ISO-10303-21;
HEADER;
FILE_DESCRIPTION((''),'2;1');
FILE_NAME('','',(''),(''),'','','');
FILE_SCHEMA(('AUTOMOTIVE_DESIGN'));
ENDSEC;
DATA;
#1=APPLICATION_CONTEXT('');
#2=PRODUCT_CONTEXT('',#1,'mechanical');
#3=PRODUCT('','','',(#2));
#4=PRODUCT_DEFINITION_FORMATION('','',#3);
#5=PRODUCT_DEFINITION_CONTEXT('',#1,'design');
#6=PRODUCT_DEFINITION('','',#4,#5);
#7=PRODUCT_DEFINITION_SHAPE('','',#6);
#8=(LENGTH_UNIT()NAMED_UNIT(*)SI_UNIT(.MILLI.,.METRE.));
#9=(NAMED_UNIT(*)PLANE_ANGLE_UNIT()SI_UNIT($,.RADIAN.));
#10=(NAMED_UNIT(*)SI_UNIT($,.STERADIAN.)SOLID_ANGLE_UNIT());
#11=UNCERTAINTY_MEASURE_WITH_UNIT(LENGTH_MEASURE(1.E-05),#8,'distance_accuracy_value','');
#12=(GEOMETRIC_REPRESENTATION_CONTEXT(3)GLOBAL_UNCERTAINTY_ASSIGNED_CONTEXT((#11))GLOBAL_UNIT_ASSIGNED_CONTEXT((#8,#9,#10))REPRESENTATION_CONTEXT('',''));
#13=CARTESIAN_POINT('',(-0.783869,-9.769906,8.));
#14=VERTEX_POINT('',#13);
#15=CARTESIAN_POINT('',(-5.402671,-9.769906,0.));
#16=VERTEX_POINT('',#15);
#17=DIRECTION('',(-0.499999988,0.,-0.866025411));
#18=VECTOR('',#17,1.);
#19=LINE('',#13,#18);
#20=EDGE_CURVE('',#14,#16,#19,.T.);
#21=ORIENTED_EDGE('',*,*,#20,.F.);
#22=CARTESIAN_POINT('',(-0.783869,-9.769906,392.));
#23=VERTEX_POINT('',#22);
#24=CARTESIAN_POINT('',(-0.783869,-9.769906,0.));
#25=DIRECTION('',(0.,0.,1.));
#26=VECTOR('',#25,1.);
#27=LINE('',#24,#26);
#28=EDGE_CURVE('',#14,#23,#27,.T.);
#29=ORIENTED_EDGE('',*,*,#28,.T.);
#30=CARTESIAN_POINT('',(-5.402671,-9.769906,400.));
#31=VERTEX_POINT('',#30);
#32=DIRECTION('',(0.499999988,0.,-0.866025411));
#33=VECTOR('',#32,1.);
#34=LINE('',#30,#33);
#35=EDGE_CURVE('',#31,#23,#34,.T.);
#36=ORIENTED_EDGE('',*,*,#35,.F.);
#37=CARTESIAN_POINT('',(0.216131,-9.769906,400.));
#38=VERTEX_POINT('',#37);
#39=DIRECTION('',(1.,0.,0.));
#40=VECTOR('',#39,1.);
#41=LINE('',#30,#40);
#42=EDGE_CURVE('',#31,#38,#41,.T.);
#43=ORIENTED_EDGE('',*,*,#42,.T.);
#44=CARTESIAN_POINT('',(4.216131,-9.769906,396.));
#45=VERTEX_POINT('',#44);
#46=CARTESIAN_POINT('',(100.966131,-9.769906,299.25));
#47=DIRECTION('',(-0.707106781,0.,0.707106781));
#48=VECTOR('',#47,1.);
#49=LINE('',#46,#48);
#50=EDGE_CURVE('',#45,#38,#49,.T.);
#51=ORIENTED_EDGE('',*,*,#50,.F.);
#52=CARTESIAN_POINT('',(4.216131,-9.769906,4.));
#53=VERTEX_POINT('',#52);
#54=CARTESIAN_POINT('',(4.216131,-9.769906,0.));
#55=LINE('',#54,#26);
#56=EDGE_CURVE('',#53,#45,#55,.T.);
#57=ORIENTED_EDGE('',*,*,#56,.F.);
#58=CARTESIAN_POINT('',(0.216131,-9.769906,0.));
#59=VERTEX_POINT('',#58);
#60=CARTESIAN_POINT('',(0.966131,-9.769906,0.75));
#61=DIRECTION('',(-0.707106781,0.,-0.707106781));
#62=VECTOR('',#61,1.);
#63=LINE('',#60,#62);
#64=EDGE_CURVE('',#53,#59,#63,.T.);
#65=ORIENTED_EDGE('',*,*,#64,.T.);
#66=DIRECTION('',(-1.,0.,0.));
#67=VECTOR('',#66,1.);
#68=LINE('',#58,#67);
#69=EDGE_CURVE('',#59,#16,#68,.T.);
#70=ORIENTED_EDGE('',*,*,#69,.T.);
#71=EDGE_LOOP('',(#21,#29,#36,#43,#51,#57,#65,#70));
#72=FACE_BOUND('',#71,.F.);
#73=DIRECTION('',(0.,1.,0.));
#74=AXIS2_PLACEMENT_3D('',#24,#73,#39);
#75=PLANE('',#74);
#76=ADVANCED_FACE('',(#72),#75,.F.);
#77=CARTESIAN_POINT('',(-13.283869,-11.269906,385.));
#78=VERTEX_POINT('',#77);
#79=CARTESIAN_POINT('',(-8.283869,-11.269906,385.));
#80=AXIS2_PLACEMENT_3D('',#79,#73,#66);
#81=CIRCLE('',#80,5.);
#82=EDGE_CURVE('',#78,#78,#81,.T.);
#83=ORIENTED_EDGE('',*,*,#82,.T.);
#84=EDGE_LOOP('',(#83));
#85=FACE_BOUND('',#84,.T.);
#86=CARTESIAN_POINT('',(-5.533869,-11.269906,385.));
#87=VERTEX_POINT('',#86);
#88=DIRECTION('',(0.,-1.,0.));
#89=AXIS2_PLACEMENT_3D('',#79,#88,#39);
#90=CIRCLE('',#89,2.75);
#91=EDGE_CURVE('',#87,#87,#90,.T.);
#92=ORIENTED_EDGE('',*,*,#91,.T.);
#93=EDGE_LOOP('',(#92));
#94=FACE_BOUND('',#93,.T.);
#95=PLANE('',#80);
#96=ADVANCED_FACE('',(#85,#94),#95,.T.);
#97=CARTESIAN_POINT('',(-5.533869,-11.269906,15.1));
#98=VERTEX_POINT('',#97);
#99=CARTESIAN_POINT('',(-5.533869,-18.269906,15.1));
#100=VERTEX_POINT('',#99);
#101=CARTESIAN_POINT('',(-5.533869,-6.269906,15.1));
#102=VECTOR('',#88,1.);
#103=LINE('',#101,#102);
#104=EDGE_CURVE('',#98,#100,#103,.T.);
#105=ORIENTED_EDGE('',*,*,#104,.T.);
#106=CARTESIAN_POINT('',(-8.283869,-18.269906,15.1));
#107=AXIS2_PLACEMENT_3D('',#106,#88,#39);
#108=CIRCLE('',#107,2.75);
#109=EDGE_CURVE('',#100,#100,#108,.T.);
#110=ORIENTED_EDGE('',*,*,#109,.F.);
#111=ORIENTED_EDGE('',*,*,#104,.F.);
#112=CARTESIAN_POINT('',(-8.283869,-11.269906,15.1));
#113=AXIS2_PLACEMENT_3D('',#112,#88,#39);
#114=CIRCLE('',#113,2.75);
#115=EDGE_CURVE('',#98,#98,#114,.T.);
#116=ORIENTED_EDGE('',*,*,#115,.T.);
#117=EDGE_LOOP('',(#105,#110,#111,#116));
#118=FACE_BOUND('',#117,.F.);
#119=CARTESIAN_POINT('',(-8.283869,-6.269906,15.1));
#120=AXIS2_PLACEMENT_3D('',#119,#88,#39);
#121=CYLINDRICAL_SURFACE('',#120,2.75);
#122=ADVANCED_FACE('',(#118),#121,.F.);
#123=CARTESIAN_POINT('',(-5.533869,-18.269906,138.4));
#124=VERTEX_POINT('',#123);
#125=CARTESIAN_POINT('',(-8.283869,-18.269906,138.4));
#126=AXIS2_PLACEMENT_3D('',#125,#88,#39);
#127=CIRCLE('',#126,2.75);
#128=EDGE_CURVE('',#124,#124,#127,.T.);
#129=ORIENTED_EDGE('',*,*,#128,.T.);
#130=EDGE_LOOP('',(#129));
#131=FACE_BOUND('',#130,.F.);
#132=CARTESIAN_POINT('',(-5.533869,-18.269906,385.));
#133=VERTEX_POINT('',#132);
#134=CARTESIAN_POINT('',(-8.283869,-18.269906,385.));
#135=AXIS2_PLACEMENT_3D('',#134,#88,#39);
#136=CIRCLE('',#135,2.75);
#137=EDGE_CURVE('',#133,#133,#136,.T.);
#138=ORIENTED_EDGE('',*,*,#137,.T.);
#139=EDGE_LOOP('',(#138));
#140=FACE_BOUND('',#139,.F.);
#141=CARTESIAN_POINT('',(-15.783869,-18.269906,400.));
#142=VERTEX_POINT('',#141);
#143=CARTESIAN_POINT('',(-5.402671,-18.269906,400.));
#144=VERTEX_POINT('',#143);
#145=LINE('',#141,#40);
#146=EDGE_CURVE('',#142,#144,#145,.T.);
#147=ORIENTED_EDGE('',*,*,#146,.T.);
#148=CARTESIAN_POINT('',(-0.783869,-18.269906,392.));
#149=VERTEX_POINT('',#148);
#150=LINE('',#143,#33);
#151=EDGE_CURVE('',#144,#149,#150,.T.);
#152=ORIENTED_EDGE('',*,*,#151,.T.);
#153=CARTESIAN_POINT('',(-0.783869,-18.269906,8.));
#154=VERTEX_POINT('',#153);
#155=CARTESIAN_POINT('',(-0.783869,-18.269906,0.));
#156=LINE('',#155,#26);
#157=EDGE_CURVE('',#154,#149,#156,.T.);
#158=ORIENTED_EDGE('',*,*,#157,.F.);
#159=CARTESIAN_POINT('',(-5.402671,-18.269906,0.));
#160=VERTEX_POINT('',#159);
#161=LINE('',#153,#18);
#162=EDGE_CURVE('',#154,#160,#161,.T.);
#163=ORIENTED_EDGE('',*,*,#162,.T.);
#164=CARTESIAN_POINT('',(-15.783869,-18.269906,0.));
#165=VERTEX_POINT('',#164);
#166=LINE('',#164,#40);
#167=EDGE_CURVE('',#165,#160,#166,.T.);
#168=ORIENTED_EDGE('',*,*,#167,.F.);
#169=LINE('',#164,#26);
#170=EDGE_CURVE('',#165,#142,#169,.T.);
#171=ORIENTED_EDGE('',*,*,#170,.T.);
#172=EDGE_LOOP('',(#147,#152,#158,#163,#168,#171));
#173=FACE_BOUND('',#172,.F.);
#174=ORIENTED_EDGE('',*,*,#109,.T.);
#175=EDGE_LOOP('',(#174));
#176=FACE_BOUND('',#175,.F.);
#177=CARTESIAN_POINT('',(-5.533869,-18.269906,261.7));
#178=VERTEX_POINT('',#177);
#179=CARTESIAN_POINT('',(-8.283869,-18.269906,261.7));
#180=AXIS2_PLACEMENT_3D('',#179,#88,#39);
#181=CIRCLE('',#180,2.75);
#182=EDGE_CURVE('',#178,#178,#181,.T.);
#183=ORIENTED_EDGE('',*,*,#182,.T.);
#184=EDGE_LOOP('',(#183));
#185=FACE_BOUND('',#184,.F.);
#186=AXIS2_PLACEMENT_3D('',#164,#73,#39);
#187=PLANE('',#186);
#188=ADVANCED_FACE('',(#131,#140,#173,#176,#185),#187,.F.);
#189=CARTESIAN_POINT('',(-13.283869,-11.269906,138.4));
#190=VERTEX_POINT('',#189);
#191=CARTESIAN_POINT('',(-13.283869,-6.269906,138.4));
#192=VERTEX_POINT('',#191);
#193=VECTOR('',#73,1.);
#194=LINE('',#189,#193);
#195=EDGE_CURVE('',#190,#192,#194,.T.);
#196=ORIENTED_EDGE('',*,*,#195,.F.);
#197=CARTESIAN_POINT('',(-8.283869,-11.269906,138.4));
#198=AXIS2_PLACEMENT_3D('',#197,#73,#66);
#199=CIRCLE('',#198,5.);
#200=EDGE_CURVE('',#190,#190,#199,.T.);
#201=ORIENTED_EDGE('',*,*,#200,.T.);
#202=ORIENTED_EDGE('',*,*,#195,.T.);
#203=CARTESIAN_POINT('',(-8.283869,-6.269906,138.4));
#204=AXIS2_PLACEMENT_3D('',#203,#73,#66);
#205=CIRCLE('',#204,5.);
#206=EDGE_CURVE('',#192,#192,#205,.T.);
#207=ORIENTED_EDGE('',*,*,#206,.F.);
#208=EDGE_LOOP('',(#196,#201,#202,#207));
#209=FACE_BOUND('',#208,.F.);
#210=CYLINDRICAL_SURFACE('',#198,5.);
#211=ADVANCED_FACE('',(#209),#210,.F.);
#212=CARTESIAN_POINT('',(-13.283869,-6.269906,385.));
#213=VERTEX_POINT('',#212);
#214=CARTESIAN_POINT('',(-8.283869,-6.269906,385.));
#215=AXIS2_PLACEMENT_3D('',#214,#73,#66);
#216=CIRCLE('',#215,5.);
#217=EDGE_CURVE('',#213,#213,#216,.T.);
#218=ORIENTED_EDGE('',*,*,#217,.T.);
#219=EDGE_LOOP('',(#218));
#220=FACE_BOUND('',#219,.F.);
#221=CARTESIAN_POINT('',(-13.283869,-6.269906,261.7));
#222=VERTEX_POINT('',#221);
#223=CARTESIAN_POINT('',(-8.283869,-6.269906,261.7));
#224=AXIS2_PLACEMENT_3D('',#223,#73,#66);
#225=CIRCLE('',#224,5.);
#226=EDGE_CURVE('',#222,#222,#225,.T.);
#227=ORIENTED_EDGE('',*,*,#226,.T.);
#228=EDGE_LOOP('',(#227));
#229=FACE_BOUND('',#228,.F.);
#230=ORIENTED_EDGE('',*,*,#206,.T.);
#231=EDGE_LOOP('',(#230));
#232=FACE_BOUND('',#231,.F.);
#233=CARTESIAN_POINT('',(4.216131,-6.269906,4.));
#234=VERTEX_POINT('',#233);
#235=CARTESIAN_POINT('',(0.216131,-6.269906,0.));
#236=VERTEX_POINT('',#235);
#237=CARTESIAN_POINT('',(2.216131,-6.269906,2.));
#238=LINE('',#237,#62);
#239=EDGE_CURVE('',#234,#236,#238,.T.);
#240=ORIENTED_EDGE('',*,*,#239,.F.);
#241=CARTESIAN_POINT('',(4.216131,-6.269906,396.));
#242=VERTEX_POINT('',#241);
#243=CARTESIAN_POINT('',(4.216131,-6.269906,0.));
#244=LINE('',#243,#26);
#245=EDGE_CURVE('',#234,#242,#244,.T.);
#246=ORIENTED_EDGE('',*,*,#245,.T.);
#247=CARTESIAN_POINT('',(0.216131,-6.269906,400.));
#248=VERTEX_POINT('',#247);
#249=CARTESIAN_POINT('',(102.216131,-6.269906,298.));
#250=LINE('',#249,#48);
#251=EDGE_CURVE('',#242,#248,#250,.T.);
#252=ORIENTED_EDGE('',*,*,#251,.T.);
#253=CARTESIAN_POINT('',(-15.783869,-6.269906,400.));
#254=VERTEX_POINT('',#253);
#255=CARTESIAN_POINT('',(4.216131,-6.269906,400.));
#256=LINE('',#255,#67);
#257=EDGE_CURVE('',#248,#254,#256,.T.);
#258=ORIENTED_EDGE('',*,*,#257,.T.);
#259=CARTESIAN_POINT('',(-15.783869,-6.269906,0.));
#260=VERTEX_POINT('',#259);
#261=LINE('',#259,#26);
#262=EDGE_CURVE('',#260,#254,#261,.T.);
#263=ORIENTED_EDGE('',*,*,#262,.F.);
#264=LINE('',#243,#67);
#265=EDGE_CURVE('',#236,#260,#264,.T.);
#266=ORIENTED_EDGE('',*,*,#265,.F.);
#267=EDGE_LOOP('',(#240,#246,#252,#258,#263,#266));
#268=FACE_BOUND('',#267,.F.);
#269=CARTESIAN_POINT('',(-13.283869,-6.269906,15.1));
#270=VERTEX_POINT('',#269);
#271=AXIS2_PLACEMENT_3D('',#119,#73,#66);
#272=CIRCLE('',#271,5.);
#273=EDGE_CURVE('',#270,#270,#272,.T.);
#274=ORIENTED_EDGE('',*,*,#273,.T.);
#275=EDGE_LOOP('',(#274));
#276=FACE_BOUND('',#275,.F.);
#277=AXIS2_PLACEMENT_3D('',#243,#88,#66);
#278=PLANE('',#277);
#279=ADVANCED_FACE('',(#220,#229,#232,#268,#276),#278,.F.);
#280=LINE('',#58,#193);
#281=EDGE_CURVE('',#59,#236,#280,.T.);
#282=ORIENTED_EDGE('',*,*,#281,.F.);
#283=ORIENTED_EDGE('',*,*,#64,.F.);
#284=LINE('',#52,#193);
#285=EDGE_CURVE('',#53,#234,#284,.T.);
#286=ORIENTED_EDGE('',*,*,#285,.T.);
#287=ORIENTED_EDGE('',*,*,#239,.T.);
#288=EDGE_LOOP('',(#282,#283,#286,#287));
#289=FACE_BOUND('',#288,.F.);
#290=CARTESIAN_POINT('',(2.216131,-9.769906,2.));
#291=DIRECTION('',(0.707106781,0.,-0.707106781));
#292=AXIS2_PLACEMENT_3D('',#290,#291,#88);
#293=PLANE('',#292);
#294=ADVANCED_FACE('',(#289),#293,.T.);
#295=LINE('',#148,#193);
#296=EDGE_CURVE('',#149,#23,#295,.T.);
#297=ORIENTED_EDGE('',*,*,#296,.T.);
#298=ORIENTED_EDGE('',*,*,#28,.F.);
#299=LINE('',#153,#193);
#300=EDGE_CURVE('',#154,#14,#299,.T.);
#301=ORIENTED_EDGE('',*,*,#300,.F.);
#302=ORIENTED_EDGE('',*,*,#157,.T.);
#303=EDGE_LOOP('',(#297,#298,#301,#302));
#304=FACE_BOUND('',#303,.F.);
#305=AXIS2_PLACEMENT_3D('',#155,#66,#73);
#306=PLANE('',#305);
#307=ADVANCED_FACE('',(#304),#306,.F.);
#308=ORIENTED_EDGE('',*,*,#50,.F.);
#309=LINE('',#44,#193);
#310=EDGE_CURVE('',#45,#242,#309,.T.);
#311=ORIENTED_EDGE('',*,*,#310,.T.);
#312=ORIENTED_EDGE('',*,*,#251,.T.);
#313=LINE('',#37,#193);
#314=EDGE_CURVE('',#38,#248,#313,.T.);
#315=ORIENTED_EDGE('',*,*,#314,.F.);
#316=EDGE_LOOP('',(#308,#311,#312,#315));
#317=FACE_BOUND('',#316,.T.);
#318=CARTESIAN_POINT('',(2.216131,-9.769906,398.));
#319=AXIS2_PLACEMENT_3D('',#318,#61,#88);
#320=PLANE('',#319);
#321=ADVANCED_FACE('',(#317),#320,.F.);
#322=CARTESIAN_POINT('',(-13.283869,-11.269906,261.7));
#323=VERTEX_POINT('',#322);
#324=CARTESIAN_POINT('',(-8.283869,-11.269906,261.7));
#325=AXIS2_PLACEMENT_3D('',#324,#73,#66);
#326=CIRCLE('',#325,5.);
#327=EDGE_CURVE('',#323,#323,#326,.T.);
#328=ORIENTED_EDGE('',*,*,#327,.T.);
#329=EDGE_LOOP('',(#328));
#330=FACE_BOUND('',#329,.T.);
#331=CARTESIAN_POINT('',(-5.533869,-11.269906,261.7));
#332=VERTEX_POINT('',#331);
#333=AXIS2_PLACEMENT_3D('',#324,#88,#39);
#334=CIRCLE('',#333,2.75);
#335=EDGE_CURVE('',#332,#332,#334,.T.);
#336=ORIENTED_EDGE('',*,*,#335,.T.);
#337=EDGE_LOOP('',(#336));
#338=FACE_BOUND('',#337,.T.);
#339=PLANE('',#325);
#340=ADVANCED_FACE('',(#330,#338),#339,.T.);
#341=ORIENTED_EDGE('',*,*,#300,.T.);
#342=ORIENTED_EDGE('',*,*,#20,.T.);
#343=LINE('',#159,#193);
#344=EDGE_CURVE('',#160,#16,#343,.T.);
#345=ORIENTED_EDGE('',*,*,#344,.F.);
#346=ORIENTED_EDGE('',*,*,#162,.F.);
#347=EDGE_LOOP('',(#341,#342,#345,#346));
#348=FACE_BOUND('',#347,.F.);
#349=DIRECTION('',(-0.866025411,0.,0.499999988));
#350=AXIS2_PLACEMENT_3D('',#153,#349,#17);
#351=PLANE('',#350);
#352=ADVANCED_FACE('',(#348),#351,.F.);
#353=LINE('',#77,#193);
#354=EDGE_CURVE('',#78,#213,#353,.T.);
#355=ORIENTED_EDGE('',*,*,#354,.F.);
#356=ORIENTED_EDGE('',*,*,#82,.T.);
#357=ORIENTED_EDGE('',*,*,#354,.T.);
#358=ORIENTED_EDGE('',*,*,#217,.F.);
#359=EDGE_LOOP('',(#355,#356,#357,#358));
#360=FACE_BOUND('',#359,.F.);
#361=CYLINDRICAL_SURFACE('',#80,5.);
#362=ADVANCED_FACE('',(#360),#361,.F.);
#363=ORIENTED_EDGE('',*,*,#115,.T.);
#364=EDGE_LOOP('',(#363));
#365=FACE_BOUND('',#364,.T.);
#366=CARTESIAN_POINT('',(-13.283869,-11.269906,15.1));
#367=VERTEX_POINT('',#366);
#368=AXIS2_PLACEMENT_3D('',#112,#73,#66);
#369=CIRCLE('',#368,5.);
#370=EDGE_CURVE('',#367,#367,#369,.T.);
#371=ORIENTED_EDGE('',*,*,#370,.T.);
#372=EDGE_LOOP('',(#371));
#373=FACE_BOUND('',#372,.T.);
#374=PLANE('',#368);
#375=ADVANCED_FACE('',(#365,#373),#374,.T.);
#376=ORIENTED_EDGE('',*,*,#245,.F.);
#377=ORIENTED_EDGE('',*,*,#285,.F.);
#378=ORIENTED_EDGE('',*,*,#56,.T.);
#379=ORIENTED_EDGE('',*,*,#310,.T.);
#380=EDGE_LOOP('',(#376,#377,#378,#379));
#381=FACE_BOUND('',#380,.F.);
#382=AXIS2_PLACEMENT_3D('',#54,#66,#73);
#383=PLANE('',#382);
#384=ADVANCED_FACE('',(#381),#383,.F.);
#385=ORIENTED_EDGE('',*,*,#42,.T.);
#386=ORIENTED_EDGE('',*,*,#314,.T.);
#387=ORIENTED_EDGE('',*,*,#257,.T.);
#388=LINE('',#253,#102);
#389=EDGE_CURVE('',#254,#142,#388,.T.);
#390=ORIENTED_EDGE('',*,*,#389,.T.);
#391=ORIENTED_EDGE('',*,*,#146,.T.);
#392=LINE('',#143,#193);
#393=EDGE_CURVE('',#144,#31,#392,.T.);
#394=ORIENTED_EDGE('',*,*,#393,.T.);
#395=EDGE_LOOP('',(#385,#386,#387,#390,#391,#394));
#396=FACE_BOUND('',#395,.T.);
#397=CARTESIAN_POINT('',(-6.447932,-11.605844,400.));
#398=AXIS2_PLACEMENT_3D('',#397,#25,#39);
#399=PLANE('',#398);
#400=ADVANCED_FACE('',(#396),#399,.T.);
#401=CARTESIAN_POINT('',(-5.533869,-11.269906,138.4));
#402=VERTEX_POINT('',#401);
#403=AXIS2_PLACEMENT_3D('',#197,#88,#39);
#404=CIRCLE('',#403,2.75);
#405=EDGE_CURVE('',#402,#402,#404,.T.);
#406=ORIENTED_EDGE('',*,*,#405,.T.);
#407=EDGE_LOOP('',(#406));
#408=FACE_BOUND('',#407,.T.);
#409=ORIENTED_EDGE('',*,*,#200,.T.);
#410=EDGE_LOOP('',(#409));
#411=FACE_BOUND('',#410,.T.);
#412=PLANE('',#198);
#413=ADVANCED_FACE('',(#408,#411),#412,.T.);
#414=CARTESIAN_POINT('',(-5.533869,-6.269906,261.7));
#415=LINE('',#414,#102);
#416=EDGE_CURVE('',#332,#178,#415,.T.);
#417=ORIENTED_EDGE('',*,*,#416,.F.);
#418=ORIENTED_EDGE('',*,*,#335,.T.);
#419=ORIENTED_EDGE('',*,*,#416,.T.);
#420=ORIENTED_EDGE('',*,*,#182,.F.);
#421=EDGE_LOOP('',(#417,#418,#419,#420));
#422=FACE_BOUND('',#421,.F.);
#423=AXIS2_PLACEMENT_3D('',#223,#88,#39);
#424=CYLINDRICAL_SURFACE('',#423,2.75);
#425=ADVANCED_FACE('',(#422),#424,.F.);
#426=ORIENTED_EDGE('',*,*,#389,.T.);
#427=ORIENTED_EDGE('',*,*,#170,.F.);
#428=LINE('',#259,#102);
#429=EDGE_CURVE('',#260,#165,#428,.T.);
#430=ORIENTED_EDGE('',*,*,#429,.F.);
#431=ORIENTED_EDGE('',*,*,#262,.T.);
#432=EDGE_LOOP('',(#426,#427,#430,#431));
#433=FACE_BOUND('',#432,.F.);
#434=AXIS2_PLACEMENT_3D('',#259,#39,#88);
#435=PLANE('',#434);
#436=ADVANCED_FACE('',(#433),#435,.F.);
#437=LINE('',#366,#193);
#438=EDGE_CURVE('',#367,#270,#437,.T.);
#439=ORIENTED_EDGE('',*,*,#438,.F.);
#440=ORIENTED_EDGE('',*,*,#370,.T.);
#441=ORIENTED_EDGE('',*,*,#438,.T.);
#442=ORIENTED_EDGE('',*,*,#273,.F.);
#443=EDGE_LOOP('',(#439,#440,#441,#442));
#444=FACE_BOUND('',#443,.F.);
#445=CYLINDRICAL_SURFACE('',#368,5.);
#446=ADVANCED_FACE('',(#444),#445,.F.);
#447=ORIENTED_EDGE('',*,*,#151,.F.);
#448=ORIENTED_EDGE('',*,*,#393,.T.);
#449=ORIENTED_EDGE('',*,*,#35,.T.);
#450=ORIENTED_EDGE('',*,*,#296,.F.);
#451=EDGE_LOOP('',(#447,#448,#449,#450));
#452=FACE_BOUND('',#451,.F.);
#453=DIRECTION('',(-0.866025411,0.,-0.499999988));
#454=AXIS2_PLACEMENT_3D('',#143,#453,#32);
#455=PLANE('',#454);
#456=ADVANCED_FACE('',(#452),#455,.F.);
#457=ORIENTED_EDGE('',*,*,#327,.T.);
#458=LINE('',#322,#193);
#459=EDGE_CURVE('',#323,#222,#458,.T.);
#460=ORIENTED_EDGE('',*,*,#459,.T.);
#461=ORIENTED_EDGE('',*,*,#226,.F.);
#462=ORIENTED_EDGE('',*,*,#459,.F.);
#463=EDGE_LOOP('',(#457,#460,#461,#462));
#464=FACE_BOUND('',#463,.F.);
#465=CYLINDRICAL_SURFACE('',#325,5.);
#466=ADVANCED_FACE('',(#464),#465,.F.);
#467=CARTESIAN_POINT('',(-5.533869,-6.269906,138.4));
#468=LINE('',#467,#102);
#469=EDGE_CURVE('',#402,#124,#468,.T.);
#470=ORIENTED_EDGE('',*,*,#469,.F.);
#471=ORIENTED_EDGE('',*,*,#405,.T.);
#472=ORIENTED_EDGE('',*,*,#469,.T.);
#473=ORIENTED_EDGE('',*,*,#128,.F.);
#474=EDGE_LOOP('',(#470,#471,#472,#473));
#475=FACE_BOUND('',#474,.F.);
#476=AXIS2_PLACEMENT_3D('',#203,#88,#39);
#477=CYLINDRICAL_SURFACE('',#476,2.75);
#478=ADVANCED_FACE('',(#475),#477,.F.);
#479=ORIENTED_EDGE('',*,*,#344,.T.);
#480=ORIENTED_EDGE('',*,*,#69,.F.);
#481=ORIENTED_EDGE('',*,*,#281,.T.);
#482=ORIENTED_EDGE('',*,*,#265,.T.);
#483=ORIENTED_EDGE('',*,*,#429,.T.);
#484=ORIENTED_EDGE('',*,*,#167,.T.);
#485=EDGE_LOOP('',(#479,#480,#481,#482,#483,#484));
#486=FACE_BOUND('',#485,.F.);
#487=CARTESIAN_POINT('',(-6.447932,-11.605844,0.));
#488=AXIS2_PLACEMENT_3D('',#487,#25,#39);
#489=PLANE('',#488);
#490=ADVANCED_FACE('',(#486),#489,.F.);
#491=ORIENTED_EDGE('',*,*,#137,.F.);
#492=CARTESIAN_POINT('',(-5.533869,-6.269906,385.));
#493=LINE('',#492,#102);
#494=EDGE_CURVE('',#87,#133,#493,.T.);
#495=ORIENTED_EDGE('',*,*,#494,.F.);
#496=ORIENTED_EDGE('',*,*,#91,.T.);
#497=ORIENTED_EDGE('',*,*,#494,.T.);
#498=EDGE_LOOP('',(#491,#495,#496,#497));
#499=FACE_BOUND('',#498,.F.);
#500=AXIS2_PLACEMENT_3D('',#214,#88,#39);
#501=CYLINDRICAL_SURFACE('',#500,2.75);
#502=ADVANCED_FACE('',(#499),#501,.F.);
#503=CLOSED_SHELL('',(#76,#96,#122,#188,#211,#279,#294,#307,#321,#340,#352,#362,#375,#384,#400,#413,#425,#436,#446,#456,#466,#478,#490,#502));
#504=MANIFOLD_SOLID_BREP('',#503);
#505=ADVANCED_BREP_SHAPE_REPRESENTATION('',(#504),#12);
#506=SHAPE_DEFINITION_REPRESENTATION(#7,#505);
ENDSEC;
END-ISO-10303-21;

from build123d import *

# Parameters (mm, degrees)
F1_DEPTH       = 400
F3_SIZE        = 4
F5_DEPTH       = 8.5
F6_D           = 5.5
F6_CBORE_D     = 10
F6_CBORE_DEPTH = 5


with BuildPart() as f1:
    # F0 (on Top) → F1 (new body)
    with BuildSketch(Plane.XY):
        Polygon((4.216131, -6.269906), (-15.783869, -6.269906), (-15.783869, -18.269906), (-0.783869, -18.269906), (-0.783869, -9.769906), (4.216131, -9.769906), align=None)
    extrude(amount=F1_DEPTH)

    # F3
    f3_edges = [f1.edges().sort_by_distance(p)[0] for p in [
        (4.216131, -8.019906, 400),
        (4.216131, -8.019906, 0),
    ]]
    chamfer(f3_edges, length=F3_SIZE)

    # F4 (on face) → F5 (cut)
    with BuildSketch(Plane.XZ.offset(18.269906)):
        Polygon((-0.783869, 392), (-0.783869, 400), (-5.402671, 400), align=None)
        Polygon((-0.783869, 0), (-0.783869, 8), (-5.402671, 0), align=None)
    extrude(amount=-F5_DEPTH, mode=Mode.SUBTRACT)

    # F6 (through all)
    with Locations(Plane(origin=(0, -6.269906, 0), x_dir=(-1, 0, 0), z_dir=(0, 1, 0))):
        with Locations((8.283869, 15.1), (8.283869, 138.4), (8.283869, 261.7), (8.283869, 385)):
            CounterBoreHole(F6_D / 2, F6_CBORE_D / 2, F6_CBORE_DEPTH)


solid = f1.part
